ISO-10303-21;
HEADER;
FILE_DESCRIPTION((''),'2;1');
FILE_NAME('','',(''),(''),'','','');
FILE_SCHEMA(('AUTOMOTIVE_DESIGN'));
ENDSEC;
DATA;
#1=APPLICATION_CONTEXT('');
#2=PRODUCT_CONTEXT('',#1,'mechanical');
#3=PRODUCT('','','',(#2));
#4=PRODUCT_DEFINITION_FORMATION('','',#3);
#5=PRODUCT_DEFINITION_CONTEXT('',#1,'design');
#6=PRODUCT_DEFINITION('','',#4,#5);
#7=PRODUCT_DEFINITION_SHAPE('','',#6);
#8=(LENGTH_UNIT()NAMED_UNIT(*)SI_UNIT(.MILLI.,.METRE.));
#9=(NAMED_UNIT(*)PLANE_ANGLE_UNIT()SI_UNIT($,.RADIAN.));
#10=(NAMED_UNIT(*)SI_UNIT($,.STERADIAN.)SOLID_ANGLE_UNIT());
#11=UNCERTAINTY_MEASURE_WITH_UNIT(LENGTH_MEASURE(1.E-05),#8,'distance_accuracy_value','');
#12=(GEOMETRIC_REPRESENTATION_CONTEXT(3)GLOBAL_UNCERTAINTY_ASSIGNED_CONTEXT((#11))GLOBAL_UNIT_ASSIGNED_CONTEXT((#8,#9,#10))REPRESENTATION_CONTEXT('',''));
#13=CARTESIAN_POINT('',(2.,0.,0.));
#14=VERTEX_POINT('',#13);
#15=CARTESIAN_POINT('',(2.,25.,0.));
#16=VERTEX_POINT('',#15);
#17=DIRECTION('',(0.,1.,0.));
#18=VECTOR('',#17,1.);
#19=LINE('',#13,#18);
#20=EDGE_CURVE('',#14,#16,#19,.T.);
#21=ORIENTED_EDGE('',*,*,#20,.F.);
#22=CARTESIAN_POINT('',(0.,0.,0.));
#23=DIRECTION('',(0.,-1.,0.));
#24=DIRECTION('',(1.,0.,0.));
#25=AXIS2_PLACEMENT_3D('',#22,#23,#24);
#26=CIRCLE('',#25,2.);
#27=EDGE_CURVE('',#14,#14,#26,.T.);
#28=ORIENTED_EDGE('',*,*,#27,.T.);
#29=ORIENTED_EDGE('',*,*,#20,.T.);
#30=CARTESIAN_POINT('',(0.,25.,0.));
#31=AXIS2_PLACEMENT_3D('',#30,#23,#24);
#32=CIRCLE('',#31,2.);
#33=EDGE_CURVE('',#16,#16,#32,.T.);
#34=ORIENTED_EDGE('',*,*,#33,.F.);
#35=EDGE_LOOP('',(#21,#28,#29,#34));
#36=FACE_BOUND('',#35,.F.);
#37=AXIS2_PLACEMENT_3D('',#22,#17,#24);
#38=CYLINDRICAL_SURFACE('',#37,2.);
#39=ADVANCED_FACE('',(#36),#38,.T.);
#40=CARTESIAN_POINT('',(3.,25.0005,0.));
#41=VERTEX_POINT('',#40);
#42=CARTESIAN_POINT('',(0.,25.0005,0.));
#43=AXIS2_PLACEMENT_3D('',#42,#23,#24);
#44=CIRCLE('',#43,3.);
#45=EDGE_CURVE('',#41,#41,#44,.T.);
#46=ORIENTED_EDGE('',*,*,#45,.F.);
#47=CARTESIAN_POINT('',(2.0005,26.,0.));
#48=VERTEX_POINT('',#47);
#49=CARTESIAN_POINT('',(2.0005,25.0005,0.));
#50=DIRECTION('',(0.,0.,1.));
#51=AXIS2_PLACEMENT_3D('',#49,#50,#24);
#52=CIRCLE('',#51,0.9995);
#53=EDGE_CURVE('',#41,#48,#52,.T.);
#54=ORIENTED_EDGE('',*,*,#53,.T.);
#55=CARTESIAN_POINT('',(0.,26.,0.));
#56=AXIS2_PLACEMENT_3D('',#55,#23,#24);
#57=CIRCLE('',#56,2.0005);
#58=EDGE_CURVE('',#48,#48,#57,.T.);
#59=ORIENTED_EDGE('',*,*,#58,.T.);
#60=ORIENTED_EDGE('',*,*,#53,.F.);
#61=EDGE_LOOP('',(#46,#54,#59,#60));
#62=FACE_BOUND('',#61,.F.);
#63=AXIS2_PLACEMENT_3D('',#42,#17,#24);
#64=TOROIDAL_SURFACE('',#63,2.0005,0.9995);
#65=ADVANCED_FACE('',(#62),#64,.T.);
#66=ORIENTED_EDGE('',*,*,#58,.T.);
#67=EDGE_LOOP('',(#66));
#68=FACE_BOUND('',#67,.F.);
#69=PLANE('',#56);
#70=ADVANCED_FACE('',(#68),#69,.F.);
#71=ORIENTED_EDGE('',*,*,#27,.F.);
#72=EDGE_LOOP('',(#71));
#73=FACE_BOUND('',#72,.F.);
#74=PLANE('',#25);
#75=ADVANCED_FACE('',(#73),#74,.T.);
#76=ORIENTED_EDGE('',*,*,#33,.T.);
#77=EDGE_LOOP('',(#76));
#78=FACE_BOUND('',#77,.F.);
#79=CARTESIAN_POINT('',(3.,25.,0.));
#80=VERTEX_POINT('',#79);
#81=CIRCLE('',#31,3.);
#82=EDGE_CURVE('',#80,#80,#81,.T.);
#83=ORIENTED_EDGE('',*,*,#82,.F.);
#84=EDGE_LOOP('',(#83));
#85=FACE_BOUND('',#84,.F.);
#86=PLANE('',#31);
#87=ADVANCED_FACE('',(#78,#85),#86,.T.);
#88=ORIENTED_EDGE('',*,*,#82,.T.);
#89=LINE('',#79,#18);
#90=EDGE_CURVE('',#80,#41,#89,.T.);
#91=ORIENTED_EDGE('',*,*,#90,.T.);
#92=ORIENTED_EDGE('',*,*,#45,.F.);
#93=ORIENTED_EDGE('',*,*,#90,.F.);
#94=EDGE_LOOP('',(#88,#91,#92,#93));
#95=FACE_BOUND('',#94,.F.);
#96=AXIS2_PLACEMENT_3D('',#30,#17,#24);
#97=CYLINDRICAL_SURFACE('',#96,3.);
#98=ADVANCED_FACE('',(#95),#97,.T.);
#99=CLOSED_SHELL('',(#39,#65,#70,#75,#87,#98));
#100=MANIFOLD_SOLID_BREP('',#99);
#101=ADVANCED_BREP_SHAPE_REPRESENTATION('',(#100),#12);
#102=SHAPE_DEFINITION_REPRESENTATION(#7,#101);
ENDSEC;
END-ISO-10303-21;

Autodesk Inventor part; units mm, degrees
ref_plane "YZ Plane" through (0, 0, 0) normal (1, 0, 0) x (0, 1, 0)
ref_plane "XZ Plane" through (0, 0, 0) normal (0, 1, 0) x (-1, 0, 0)
ref_plane "XY Plane" through (0, 0, 0) normal (0, 0, 1) x (1, 0, 0)
sketch "Sketch1" plane through (0, 0, 0) normal (0, 0, 1) x (1, 0, 0)
  line L0 (0, 0) -> (2, 0)
  line L1 (2, 0) -> (2, 25)
  line L2 (2, 25) -> (0, 25)
  line L3 (0, 25) -> (0, 0)
  line L4 (0, 25) -> (3, 25)
  line L5 (3, 25) -> (3, 26)
  line L6 (3, 26) -> (0, 26)
  line L7 (0, 26) -> (0, 25)
  dimension "d0" = 2
  dimension "d1" = 3
  dimension "d2" = 1
  dimension "d7" = 25
revolve "Revolution1" add sketch "Sketch1" angle 360 about axis through (0, 25, 0) along (0, -1, 0)
fillet "Fillet1" radius 1 1 edges at (-3, 26, 0)
thread "Thread1" size "M3x0.5" class "6g" standard "ANSI Metric M Profile" full length
properties part number "m4x40"
